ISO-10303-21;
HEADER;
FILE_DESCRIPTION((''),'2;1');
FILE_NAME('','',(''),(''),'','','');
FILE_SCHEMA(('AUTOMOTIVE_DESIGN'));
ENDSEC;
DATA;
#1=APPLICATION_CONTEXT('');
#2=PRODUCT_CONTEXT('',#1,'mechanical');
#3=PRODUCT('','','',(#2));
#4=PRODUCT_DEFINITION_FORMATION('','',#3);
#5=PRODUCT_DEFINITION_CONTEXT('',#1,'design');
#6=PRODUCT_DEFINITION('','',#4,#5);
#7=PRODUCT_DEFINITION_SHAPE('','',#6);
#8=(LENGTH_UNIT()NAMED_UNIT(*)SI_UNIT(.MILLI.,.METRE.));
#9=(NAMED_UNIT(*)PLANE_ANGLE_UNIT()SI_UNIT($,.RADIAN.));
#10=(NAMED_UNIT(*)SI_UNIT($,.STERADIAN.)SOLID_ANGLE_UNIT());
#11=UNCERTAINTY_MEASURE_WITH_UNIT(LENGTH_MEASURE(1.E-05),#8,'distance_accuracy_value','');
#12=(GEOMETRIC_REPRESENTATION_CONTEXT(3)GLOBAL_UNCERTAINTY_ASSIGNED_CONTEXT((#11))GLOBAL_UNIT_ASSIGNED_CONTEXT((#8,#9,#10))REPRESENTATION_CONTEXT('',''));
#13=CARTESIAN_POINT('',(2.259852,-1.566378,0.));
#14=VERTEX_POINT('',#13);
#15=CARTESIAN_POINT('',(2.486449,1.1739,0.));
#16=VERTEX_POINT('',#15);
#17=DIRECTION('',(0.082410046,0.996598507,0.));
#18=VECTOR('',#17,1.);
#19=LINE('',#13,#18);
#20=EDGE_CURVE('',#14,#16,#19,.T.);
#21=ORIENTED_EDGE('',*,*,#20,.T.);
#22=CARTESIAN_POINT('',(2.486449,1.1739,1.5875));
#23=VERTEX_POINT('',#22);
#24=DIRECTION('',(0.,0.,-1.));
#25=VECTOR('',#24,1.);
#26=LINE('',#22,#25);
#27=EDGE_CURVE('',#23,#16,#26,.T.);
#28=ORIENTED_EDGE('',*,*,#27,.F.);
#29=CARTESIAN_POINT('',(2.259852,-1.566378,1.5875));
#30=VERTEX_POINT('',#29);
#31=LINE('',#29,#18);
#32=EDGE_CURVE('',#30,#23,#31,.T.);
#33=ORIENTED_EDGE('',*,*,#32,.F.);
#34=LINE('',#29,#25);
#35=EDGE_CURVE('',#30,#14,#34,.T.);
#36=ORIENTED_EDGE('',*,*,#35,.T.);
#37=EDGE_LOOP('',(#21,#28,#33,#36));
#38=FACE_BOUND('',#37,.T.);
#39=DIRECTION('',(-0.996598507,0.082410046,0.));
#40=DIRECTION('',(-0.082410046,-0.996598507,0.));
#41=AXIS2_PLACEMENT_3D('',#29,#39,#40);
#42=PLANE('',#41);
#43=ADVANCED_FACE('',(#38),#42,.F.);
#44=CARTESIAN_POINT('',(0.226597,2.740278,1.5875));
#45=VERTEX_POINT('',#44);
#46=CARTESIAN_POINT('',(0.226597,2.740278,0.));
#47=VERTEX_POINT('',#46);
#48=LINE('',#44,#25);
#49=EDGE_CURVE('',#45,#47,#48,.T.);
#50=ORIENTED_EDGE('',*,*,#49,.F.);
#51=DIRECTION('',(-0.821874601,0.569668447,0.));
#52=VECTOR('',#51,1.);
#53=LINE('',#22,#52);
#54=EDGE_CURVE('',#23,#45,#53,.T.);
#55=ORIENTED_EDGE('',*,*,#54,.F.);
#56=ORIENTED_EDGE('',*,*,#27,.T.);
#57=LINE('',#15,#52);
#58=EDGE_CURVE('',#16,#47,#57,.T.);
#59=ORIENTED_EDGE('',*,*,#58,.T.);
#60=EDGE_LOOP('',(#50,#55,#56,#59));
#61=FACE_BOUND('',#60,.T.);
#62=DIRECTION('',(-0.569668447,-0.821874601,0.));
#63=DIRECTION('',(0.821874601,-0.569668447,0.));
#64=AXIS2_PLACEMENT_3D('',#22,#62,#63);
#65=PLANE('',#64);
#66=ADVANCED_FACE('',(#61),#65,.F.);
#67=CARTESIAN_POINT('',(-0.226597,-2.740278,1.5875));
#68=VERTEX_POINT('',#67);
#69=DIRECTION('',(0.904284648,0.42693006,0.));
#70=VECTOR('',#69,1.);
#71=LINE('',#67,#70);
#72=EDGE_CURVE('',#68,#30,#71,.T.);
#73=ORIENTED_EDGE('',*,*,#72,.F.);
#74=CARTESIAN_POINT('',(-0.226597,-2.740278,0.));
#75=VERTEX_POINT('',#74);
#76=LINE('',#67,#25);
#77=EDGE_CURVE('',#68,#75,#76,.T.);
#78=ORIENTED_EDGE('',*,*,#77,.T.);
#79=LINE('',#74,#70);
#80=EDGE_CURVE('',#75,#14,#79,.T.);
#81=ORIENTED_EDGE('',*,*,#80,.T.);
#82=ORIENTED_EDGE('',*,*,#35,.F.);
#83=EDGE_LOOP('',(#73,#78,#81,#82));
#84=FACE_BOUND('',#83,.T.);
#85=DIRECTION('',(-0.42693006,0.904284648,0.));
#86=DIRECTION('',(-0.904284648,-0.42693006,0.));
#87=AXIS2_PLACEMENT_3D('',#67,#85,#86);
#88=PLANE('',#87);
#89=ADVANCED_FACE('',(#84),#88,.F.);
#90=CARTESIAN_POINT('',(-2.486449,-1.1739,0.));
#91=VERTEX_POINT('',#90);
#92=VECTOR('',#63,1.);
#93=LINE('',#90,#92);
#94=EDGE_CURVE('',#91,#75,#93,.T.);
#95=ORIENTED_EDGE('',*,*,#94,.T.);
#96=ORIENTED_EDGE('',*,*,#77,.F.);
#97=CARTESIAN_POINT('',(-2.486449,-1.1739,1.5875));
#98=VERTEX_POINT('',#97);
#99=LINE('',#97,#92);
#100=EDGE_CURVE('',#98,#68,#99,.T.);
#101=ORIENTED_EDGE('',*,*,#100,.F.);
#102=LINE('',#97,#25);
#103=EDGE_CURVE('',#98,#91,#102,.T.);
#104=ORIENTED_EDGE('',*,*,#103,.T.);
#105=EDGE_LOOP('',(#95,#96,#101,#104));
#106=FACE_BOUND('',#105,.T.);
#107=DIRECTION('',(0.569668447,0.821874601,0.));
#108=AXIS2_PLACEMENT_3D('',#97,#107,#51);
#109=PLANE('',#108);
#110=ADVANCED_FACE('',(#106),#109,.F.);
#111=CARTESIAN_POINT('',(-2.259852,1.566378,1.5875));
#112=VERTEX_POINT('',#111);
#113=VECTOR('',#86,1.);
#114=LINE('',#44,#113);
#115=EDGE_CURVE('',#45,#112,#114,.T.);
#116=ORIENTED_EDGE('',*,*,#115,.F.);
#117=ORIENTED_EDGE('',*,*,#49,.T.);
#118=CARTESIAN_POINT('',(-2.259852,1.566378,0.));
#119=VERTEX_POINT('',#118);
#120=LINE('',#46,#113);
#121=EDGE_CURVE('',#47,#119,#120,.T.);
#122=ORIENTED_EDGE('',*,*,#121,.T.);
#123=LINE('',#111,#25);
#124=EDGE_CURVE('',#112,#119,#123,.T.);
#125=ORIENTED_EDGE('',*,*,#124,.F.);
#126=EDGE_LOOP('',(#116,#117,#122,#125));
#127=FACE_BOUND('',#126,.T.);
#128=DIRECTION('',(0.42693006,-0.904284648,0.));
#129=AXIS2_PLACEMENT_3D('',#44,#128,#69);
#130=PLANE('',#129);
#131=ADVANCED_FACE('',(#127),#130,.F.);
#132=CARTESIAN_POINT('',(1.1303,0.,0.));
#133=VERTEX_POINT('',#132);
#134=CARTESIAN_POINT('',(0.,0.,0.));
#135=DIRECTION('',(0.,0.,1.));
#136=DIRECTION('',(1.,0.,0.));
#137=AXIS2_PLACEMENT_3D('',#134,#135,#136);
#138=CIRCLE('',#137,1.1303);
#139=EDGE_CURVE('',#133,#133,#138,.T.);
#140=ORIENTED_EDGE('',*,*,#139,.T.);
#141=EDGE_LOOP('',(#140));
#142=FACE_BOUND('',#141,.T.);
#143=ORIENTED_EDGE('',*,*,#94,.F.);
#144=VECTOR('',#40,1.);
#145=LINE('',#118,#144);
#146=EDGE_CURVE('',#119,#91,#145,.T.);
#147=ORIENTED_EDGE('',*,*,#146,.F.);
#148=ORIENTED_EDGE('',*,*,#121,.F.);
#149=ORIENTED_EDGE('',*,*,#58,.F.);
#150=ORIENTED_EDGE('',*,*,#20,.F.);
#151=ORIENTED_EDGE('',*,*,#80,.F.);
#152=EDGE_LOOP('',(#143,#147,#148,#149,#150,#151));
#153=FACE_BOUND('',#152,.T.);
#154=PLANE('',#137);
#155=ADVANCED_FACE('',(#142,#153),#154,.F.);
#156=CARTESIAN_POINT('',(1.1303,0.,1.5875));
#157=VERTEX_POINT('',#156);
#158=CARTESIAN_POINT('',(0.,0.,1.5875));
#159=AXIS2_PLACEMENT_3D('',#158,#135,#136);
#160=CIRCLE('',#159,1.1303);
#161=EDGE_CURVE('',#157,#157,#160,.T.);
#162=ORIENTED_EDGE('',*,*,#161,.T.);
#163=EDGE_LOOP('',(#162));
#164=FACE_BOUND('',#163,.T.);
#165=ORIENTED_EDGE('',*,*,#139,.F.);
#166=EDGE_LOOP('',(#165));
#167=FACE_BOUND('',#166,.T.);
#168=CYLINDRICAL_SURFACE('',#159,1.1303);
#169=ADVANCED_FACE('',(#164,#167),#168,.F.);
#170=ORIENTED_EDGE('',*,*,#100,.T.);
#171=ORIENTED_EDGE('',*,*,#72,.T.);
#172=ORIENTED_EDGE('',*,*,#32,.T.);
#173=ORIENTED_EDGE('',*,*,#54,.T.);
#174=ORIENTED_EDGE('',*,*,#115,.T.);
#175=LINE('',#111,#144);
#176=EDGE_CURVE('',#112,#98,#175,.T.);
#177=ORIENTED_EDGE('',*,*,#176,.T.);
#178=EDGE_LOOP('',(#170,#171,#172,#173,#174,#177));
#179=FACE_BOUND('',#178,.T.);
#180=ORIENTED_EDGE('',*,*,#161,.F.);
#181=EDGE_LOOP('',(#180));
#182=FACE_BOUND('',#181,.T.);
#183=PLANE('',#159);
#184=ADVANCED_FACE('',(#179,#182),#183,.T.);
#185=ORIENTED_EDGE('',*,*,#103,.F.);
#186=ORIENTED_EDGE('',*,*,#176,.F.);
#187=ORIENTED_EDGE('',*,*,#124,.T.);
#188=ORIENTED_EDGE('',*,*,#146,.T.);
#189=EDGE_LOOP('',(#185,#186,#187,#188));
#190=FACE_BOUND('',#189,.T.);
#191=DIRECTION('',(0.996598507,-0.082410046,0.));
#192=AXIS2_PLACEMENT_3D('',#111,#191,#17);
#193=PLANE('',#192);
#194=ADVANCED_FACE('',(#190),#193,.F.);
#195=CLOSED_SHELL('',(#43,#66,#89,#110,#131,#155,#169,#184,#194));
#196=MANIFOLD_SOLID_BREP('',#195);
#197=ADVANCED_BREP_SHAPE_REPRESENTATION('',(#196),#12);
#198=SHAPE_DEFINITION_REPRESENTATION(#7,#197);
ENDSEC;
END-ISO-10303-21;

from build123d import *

# Parameters (mm, degrees)
BOSS_EXTRUDE1_DEPTH   = 1.5875
F_4_40_TAPPED_HOLE1_D = 2.2606


with BuildPart() as part:
    # Sketch1 → Boss-Extrude1 (new body)
    with BuildSketch(Plane.XY):
        Polygon((2.2598516, -1.566377826), (2.48644879, 1.173899982), (0.226597189, 2.740277808), (-2.2598516, 1.566377826), (-2.48644879, -1.173899982), (-0.226597189, -2.740277808), align=None)
    extrude(amount=BOSS_EXTRUDE1_DEPTH)

    # #4-40 Tapped Hole1 (through all)
    with Locations(Plane.XY.offset(1.5875)):
        with Locations((0, 0)):
            Hole(F_4_40_TAPPED_HOLE1_D / 2)


solid = part.part
